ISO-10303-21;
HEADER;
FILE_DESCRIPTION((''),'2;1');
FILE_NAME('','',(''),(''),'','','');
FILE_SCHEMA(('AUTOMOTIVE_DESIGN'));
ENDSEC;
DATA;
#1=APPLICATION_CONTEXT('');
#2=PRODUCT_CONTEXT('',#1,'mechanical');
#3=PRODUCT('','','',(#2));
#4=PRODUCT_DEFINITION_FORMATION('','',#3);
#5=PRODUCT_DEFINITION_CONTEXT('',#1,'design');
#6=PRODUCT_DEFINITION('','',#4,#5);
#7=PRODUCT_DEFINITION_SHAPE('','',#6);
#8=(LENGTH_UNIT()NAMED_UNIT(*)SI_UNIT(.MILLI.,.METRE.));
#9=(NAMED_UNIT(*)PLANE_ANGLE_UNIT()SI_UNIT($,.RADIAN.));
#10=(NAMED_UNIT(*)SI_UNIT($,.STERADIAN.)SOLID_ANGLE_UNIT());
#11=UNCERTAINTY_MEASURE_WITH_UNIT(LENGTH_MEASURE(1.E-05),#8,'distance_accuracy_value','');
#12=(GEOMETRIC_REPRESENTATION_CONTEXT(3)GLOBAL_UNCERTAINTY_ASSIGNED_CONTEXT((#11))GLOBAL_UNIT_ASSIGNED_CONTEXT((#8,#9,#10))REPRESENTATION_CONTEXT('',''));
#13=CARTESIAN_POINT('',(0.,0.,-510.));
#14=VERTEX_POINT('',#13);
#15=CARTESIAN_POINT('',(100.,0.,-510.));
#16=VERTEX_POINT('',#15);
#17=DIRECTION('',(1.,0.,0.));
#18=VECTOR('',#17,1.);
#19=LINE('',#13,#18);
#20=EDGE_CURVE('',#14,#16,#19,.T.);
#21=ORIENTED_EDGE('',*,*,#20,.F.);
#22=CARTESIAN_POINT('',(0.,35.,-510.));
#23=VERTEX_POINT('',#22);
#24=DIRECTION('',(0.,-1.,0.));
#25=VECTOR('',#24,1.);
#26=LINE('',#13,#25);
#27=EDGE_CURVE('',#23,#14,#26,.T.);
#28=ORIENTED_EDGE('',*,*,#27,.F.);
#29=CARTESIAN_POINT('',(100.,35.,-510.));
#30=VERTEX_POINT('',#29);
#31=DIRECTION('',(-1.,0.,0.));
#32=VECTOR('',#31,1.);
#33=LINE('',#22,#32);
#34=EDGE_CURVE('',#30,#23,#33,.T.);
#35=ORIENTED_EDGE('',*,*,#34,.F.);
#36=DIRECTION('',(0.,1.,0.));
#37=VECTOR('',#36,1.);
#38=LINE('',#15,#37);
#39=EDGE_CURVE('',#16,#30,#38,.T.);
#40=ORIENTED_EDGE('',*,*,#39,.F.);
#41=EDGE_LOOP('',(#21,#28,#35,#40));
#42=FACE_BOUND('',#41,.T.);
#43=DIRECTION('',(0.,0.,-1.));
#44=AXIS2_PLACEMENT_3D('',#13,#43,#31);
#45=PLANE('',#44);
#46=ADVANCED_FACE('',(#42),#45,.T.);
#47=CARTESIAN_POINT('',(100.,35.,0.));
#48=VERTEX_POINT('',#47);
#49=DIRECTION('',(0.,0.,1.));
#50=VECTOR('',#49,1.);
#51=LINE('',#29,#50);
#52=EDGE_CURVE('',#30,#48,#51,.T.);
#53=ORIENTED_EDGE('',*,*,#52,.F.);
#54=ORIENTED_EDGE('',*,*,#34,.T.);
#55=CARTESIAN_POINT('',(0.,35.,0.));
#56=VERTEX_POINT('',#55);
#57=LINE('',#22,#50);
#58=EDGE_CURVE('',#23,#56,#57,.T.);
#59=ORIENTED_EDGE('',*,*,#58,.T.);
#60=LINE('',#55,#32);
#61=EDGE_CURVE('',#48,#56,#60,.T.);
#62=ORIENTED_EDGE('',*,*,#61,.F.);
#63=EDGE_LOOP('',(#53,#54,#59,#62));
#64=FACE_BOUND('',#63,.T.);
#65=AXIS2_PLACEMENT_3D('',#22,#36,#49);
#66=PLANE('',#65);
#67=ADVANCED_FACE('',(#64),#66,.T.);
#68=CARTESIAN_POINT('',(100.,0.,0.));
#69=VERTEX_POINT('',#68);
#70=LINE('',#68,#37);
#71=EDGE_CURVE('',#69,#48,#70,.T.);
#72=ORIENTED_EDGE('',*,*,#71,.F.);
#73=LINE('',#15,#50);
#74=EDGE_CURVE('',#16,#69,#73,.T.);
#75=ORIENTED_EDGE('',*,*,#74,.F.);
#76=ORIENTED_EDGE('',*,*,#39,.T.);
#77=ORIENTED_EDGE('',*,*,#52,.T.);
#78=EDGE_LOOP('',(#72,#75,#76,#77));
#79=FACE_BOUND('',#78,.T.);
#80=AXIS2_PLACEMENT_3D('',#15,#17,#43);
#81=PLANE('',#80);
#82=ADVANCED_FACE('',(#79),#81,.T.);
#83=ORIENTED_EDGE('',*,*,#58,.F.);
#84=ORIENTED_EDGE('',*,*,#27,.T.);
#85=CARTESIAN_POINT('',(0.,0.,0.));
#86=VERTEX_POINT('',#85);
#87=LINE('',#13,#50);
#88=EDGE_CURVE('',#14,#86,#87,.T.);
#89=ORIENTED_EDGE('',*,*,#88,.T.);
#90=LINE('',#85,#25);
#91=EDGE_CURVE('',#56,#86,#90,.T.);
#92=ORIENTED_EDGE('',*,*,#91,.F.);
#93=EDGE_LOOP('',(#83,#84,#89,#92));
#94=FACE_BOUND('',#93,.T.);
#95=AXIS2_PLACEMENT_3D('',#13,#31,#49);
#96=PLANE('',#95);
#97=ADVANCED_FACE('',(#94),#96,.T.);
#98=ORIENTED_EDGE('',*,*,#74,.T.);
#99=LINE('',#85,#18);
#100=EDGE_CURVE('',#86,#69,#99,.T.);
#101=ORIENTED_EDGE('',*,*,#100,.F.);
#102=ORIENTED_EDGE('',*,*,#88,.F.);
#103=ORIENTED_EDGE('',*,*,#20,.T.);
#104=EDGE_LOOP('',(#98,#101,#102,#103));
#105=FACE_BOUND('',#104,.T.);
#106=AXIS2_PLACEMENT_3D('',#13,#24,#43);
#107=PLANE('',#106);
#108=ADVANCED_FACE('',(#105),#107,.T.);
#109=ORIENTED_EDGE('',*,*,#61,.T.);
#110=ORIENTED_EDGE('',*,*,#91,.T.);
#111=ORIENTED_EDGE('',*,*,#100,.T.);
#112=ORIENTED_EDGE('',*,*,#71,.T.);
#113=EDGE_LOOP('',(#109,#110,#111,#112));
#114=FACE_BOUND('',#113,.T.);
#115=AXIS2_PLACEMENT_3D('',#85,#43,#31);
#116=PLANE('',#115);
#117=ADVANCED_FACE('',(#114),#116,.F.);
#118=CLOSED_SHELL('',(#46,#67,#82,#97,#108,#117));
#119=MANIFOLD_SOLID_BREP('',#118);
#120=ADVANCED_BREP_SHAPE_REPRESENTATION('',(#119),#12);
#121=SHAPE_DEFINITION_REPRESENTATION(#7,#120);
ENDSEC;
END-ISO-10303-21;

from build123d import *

# Parameters (mm, degrees)
SKETCH_1_W      = 100
SKETCH_1_H      = 35
EXTRUDE_1_DEPTH = 510


with BuildPart() as part:
    # Эскиз1 → Бобышка-Вытянуть1 (new body)
    with BuildSketch(Plane.XY):
        with Locations((50, 17.5)):
            Rectangle(SKETCH_1_W, SKETCH_1_H)
    extrude(amount=-EXTRUDE_1_DEPTH)


solid = part.part
